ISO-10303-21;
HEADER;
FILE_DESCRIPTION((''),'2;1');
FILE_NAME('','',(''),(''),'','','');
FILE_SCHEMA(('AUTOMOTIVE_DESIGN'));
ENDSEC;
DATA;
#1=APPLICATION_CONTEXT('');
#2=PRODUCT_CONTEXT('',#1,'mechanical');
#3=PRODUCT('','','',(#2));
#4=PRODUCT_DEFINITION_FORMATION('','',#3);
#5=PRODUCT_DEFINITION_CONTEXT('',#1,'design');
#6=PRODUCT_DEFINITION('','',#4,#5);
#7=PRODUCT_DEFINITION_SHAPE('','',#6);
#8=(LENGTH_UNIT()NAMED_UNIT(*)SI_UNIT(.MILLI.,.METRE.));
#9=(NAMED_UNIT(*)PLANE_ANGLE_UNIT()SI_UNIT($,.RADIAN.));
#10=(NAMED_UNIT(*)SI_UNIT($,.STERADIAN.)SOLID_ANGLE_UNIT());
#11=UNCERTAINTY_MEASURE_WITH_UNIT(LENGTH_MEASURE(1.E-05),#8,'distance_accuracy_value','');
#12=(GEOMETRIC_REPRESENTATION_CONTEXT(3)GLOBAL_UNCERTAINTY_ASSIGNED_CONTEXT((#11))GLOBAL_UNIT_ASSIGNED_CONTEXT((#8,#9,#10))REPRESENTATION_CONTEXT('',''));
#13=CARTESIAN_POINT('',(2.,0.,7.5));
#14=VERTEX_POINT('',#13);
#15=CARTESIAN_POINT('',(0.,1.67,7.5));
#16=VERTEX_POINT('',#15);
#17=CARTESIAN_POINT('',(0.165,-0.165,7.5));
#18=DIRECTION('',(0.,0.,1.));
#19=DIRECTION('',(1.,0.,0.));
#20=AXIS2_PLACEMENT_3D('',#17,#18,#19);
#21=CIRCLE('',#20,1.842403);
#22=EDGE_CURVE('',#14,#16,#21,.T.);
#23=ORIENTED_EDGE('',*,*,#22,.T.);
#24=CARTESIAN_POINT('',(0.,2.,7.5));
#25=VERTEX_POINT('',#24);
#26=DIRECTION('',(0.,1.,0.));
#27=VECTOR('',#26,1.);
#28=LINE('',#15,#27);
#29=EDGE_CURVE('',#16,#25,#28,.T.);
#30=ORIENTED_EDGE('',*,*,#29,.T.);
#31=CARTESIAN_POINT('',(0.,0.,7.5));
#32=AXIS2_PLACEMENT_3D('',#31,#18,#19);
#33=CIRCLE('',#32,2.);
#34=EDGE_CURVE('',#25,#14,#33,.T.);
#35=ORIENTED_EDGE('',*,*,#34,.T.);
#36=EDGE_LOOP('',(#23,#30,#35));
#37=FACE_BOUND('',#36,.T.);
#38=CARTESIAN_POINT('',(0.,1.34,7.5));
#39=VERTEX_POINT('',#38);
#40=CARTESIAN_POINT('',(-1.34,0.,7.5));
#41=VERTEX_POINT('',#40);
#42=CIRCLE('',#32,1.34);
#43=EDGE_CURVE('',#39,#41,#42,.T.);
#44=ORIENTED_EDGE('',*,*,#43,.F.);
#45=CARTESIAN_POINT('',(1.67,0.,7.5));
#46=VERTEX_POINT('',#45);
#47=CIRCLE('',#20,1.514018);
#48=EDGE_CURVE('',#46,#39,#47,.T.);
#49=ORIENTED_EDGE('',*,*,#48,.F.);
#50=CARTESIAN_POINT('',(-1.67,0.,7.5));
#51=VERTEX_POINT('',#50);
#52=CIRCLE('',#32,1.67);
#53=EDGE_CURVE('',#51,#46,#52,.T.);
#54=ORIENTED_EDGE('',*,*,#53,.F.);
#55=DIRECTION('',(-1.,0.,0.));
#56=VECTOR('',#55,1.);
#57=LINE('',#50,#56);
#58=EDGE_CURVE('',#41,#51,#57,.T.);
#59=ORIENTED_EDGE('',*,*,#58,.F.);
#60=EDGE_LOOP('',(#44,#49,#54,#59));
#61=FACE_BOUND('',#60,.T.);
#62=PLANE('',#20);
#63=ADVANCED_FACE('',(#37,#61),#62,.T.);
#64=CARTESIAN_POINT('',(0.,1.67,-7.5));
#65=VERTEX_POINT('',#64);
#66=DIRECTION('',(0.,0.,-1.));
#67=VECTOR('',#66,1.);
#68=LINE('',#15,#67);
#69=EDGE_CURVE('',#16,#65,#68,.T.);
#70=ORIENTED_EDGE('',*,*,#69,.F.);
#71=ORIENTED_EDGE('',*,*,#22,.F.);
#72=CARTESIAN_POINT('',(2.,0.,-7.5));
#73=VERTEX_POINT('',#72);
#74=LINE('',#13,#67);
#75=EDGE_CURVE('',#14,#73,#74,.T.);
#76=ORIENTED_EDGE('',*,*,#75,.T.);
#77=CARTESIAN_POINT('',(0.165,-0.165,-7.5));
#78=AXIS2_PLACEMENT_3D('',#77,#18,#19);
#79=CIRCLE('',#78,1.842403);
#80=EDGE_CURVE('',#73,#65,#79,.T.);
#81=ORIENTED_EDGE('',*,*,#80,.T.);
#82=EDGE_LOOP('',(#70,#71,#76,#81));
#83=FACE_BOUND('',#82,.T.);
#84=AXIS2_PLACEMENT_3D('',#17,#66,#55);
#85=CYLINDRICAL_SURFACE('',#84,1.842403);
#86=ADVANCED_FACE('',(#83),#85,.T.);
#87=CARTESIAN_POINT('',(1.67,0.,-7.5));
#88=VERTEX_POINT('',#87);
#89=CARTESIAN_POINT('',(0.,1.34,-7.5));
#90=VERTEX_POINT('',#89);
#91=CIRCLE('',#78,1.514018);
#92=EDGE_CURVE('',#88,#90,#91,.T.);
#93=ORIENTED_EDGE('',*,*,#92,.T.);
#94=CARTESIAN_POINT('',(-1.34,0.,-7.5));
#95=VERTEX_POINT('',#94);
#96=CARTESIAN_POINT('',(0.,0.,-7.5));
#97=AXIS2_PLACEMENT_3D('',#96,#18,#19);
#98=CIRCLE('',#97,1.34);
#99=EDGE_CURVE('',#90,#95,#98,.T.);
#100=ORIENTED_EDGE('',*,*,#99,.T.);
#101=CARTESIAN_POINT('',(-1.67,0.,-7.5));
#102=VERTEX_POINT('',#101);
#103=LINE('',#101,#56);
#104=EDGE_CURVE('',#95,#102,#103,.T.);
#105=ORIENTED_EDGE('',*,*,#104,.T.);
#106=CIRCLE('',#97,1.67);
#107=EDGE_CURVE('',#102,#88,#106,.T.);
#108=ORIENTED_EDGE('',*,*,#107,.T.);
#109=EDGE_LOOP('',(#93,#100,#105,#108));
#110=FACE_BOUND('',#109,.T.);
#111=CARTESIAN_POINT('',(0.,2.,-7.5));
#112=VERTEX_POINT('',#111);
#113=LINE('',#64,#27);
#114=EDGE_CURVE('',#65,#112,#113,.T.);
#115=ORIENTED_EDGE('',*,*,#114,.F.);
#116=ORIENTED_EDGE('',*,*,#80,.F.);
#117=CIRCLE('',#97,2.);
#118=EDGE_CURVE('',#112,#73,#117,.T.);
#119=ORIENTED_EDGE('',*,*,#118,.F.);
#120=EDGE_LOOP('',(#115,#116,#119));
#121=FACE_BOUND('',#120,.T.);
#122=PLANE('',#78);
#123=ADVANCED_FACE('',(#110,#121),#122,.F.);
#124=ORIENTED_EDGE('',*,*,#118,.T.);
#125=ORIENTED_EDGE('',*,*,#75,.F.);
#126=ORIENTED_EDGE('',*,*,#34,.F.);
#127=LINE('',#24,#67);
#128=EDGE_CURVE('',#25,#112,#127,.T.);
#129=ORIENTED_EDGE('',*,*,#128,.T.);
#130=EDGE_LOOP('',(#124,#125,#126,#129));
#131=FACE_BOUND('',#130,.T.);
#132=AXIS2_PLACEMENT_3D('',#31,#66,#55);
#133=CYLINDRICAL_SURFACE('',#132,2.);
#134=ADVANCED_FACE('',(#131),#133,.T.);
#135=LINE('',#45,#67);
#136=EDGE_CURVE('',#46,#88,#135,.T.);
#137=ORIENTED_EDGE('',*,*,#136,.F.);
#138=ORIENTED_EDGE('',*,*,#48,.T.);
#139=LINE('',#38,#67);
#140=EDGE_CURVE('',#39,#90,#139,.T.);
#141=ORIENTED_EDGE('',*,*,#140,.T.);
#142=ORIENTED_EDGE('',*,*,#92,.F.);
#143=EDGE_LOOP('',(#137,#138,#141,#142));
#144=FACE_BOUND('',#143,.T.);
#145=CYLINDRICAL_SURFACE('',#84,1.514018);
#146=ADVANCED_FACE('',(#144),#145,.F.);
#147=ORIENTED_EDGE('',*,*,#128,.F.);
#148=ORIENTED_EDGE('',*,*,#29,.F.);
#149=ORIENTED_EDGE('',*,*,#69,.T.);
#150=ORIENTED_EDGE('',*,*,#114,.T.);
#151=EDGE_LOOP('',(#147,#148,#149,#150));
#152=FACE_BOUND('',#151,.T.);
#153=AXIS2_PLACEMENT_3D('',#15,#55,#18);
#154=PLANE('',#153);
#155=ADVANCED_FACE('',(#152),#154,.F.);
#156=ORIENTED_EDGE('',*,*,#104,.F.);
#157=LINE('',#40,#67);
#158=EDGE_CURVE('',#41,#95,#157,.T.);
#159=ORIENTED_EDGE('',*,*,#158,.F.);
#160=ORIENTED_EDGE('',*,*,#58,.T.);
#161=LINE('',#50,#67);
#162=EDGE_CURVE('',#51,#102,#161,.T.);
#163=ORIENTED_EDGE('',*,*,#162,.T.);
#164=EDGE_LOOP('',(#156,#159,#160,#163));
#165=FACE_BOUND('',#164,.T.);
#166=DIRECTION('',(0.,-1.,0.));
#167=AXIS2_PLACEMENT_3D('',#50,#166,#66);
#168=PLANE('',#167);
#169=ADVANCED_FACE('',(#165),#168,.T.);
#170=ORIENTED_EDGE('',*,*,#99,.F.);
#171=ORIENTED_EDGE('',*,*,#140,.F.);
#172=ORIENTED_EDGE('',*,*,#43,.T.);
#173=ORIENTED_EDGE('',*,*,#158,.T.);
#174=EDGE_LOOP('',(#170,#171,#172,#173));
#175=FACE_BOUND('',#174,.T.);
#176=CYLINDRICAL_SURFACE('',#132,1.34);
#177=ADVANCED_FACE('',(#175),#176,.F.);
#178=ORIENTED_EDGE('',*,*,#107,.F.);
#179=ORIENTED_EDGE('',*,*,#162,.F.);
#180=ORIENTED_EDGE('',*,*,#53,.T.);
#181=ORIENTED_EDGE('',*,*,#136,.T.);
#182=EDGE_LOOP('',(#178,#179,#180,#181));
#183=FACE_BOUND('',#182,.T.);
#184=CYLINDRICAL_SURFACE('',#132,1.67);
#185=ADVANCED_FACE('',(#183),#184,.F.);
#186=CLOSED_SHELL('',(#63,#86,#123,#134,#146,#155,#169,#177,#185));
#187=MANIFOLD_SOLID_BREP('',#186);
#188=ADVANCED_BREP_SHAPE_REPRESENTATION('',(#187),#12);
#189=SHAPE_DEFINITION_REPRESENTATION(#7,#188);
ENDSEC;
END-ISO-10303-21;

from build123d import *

# Parameters (mm, degrees)
BASE_EXTRUDE_DEPTH = 7.5


with BuildPart() as part:
    # Sketch1 → Base-Extrude (new body, symmetric)
    with BuildSketch(Plane.XY):
        with BuildLine():
            Line((0, 1.67), (0, 2))
            ThreePointArc((0, 2), (-1.414213562, -1.414213562), (2, 0))
            ThreePointArc((2, 0), (1.345868325, 1.249213562), (0, 1.67))
        make_face()
        with BuildLine():
            Line((-1.67, 0), (-1.34, 0))
            ThreePointArc((-1.34, 0), (-0.947523087, 0.947523087), (0, 1.34))
            ThreePointArc((0, 1.34), (1.112523087, 1.015868325), (1.67, 0))
            ThreePointArc((1.67, 0), (0, -1.67), (-1.67, 0))
        make_face(mode=Mode.SUBTRACT)
    extrude(amount=BASE_EXTRUDE_DEPTH, both=True)


solid = part.part
